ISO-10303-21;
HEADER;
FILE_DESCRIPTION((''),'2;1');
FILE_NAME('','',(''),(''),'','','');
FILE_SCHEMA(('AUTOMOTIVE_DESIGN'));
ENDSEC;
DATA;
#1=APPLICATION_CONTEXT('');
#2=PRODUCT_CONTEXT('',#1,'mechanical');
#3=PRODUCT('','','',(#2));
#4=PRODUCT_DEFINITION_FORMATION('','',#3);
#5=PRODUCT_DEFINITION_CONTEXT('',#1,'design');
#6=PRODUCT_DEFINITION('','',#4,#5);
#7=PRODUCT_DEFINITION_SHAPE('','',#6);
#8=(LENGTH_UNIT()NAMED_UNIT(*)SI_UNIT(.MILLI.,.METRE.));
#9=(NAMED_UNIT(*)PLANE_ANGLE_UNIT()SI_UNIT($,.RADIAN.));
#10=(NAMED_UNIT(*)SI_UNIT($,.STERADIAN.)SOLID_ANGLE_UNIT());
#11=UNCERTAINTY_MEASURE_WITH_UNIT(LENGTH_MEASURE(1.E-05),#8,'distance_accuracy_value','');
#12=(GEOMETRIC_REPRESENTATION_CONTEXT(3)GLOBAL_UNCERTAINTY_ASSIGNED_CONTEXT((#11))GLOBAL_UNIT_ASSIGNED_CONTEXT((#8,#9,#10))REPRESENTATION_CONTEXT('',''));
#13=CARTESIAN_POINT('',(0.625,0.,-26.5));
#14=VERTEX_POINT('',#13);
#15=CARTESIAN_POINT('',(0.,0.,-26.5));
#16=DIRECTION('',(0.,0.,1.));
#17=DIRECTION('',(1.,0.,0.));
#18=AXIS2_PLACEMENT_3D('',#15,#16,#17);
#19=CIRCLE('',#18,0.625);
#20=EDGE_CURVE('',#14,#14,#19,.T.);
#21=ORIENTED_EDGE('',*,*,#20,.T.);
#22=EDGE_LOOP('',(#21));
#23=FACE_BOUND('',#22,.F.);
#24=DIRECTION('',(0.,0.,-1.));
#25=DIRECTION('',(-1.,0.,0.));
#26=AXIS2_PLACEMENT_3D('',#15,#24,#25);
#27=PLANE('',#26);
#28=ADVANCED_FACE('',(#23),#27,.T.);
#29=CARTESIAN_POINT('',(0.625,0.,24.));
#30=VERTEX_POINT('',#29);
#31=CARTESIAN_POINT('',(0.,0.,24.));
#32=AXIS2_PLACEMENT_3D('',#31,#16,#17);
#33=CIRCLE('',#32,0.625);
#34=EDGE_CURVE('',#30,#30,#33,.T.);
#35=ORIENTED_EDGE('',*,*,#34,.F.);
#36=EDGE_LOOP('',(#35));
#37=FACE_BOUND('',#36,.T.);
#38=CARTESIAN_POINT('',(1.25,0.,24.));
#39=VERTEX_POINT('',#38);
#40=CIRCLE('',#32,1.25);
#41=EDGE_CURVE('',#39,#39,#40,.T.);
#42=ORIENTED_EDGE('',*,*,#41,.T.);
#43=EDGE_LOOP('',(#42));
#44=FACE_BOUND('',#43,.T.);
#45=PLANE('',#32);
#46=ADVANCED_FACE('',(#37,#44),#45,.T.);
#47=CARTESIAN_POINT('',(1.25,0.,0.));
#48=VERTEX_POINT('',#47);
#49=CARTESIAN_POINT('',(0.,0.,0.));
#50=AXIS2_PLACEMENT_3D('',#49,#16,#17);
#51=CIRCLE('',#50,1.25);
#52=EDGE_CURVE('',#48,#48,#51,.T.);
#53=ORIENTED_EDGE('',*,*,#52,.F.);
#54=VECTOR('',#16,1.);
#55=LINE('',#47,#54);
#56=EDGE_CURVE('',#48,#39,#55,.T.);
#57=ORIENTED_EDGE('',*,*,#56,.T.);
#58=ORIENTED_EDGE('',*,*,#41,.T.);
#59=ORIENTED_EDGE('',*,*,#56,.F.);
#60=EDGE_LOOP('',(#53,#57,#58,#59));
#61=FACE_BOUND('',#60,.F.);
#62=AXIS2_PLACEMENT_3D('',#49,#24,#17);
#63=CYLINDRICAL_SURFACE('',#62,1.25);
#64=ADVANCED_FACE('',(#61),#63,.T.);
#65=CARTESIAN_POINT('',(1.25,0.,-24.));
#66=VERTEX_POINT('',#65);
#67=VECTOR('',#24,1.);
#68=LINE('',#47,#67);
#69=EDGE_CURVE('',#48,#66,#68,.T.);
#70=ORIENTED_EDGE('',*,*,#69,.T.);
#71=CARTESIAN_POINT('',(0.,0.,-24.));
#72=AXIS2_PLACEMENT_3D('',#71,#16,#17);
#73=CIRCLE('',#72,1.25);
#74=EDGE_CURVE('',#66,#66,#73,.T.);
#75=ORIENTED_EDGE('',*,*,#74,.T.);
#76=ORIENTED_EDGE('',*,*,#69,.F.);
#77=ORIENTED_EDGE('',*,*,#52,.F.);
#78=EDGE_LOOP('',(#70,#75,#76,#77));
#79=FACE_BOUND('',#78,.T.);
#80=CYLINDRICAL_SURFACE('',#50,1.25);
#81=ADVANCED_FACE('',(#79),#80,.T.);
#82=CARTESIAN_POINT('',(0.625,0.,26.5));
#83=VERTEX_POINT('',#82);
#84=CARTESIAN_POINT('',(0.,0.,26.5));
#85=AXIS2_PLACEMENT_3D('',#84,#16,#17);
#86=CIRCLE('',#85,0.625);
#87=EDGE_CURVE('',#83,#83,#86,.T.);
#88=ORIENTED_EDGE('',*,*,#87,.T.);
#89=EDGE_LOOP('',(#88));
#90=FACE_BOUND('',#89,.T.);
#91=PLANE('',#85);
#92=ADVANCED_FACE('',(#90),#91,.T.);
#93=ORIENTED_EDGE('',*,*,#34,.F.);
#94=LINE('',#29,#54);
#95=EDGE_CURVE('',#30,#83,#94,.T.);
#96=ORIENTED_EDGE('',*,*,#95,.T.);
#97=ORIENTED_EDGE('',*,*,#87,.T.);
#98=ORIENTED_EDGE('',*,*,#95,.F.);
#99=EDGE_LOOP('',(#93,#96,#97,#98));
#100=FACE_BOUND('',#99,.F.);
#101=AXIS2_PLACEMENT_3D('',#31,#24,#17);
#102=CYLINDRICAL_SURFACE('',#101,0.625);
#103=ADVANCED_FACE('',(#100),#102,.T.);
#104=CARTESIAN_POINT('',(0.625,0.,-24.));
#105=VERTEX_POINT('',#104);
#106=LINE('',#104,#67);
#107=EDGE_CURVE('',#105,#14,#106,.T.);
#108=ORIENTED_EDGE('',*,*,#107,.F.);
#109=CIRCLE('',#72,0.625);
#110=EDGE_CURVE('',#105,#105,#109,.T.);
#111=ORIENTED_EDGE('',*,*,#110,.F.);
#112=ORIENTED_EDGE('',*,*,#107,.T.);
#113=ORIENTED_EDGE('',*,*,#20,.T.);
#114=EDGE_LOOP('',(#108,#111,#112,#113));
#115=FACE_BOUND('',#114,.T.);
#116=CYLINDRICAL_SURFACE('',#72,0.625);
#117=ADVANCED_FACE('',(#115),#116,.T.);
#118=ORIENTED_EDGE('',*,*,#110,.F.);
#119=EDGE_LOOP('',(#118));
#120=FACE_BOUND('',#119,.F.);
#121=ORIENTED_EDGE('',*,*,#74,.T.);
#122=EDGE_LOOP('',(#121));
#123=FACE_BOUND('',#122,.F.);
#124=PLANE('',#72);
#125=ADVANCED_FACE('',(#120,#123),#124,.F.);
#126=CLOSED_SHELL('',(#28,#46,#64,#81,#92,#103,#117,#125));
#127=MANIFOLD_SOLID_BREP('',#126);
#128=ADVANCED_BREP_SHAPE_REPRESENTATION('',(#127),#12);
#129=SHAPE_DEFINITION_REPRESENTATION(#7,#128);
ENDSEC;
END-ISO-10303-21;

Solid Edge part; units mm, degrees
sketch "Sketch1" plane through (0, 0, 0) normal (0, 0, 1) x (1, 0, 0)
  circle A0 centre (0, 0) radius 1.25
extrude "Protrusion1" add sketch "Sketch1" along normal mid plane 48
sketch "Sketch2" plane through (0, 0, 24) normal (0, 0, 1) x (1, 0, 0)
  circle A0 centre (0, 0) radius 0.625
extrude "Protrusion2" add sketch "Sketch2" along normal up to surface (2.5 mm away)
mirror "Mirror1" about plane through (0, 0, 0) normal (0, 0, 1) of "Protrusion2"
